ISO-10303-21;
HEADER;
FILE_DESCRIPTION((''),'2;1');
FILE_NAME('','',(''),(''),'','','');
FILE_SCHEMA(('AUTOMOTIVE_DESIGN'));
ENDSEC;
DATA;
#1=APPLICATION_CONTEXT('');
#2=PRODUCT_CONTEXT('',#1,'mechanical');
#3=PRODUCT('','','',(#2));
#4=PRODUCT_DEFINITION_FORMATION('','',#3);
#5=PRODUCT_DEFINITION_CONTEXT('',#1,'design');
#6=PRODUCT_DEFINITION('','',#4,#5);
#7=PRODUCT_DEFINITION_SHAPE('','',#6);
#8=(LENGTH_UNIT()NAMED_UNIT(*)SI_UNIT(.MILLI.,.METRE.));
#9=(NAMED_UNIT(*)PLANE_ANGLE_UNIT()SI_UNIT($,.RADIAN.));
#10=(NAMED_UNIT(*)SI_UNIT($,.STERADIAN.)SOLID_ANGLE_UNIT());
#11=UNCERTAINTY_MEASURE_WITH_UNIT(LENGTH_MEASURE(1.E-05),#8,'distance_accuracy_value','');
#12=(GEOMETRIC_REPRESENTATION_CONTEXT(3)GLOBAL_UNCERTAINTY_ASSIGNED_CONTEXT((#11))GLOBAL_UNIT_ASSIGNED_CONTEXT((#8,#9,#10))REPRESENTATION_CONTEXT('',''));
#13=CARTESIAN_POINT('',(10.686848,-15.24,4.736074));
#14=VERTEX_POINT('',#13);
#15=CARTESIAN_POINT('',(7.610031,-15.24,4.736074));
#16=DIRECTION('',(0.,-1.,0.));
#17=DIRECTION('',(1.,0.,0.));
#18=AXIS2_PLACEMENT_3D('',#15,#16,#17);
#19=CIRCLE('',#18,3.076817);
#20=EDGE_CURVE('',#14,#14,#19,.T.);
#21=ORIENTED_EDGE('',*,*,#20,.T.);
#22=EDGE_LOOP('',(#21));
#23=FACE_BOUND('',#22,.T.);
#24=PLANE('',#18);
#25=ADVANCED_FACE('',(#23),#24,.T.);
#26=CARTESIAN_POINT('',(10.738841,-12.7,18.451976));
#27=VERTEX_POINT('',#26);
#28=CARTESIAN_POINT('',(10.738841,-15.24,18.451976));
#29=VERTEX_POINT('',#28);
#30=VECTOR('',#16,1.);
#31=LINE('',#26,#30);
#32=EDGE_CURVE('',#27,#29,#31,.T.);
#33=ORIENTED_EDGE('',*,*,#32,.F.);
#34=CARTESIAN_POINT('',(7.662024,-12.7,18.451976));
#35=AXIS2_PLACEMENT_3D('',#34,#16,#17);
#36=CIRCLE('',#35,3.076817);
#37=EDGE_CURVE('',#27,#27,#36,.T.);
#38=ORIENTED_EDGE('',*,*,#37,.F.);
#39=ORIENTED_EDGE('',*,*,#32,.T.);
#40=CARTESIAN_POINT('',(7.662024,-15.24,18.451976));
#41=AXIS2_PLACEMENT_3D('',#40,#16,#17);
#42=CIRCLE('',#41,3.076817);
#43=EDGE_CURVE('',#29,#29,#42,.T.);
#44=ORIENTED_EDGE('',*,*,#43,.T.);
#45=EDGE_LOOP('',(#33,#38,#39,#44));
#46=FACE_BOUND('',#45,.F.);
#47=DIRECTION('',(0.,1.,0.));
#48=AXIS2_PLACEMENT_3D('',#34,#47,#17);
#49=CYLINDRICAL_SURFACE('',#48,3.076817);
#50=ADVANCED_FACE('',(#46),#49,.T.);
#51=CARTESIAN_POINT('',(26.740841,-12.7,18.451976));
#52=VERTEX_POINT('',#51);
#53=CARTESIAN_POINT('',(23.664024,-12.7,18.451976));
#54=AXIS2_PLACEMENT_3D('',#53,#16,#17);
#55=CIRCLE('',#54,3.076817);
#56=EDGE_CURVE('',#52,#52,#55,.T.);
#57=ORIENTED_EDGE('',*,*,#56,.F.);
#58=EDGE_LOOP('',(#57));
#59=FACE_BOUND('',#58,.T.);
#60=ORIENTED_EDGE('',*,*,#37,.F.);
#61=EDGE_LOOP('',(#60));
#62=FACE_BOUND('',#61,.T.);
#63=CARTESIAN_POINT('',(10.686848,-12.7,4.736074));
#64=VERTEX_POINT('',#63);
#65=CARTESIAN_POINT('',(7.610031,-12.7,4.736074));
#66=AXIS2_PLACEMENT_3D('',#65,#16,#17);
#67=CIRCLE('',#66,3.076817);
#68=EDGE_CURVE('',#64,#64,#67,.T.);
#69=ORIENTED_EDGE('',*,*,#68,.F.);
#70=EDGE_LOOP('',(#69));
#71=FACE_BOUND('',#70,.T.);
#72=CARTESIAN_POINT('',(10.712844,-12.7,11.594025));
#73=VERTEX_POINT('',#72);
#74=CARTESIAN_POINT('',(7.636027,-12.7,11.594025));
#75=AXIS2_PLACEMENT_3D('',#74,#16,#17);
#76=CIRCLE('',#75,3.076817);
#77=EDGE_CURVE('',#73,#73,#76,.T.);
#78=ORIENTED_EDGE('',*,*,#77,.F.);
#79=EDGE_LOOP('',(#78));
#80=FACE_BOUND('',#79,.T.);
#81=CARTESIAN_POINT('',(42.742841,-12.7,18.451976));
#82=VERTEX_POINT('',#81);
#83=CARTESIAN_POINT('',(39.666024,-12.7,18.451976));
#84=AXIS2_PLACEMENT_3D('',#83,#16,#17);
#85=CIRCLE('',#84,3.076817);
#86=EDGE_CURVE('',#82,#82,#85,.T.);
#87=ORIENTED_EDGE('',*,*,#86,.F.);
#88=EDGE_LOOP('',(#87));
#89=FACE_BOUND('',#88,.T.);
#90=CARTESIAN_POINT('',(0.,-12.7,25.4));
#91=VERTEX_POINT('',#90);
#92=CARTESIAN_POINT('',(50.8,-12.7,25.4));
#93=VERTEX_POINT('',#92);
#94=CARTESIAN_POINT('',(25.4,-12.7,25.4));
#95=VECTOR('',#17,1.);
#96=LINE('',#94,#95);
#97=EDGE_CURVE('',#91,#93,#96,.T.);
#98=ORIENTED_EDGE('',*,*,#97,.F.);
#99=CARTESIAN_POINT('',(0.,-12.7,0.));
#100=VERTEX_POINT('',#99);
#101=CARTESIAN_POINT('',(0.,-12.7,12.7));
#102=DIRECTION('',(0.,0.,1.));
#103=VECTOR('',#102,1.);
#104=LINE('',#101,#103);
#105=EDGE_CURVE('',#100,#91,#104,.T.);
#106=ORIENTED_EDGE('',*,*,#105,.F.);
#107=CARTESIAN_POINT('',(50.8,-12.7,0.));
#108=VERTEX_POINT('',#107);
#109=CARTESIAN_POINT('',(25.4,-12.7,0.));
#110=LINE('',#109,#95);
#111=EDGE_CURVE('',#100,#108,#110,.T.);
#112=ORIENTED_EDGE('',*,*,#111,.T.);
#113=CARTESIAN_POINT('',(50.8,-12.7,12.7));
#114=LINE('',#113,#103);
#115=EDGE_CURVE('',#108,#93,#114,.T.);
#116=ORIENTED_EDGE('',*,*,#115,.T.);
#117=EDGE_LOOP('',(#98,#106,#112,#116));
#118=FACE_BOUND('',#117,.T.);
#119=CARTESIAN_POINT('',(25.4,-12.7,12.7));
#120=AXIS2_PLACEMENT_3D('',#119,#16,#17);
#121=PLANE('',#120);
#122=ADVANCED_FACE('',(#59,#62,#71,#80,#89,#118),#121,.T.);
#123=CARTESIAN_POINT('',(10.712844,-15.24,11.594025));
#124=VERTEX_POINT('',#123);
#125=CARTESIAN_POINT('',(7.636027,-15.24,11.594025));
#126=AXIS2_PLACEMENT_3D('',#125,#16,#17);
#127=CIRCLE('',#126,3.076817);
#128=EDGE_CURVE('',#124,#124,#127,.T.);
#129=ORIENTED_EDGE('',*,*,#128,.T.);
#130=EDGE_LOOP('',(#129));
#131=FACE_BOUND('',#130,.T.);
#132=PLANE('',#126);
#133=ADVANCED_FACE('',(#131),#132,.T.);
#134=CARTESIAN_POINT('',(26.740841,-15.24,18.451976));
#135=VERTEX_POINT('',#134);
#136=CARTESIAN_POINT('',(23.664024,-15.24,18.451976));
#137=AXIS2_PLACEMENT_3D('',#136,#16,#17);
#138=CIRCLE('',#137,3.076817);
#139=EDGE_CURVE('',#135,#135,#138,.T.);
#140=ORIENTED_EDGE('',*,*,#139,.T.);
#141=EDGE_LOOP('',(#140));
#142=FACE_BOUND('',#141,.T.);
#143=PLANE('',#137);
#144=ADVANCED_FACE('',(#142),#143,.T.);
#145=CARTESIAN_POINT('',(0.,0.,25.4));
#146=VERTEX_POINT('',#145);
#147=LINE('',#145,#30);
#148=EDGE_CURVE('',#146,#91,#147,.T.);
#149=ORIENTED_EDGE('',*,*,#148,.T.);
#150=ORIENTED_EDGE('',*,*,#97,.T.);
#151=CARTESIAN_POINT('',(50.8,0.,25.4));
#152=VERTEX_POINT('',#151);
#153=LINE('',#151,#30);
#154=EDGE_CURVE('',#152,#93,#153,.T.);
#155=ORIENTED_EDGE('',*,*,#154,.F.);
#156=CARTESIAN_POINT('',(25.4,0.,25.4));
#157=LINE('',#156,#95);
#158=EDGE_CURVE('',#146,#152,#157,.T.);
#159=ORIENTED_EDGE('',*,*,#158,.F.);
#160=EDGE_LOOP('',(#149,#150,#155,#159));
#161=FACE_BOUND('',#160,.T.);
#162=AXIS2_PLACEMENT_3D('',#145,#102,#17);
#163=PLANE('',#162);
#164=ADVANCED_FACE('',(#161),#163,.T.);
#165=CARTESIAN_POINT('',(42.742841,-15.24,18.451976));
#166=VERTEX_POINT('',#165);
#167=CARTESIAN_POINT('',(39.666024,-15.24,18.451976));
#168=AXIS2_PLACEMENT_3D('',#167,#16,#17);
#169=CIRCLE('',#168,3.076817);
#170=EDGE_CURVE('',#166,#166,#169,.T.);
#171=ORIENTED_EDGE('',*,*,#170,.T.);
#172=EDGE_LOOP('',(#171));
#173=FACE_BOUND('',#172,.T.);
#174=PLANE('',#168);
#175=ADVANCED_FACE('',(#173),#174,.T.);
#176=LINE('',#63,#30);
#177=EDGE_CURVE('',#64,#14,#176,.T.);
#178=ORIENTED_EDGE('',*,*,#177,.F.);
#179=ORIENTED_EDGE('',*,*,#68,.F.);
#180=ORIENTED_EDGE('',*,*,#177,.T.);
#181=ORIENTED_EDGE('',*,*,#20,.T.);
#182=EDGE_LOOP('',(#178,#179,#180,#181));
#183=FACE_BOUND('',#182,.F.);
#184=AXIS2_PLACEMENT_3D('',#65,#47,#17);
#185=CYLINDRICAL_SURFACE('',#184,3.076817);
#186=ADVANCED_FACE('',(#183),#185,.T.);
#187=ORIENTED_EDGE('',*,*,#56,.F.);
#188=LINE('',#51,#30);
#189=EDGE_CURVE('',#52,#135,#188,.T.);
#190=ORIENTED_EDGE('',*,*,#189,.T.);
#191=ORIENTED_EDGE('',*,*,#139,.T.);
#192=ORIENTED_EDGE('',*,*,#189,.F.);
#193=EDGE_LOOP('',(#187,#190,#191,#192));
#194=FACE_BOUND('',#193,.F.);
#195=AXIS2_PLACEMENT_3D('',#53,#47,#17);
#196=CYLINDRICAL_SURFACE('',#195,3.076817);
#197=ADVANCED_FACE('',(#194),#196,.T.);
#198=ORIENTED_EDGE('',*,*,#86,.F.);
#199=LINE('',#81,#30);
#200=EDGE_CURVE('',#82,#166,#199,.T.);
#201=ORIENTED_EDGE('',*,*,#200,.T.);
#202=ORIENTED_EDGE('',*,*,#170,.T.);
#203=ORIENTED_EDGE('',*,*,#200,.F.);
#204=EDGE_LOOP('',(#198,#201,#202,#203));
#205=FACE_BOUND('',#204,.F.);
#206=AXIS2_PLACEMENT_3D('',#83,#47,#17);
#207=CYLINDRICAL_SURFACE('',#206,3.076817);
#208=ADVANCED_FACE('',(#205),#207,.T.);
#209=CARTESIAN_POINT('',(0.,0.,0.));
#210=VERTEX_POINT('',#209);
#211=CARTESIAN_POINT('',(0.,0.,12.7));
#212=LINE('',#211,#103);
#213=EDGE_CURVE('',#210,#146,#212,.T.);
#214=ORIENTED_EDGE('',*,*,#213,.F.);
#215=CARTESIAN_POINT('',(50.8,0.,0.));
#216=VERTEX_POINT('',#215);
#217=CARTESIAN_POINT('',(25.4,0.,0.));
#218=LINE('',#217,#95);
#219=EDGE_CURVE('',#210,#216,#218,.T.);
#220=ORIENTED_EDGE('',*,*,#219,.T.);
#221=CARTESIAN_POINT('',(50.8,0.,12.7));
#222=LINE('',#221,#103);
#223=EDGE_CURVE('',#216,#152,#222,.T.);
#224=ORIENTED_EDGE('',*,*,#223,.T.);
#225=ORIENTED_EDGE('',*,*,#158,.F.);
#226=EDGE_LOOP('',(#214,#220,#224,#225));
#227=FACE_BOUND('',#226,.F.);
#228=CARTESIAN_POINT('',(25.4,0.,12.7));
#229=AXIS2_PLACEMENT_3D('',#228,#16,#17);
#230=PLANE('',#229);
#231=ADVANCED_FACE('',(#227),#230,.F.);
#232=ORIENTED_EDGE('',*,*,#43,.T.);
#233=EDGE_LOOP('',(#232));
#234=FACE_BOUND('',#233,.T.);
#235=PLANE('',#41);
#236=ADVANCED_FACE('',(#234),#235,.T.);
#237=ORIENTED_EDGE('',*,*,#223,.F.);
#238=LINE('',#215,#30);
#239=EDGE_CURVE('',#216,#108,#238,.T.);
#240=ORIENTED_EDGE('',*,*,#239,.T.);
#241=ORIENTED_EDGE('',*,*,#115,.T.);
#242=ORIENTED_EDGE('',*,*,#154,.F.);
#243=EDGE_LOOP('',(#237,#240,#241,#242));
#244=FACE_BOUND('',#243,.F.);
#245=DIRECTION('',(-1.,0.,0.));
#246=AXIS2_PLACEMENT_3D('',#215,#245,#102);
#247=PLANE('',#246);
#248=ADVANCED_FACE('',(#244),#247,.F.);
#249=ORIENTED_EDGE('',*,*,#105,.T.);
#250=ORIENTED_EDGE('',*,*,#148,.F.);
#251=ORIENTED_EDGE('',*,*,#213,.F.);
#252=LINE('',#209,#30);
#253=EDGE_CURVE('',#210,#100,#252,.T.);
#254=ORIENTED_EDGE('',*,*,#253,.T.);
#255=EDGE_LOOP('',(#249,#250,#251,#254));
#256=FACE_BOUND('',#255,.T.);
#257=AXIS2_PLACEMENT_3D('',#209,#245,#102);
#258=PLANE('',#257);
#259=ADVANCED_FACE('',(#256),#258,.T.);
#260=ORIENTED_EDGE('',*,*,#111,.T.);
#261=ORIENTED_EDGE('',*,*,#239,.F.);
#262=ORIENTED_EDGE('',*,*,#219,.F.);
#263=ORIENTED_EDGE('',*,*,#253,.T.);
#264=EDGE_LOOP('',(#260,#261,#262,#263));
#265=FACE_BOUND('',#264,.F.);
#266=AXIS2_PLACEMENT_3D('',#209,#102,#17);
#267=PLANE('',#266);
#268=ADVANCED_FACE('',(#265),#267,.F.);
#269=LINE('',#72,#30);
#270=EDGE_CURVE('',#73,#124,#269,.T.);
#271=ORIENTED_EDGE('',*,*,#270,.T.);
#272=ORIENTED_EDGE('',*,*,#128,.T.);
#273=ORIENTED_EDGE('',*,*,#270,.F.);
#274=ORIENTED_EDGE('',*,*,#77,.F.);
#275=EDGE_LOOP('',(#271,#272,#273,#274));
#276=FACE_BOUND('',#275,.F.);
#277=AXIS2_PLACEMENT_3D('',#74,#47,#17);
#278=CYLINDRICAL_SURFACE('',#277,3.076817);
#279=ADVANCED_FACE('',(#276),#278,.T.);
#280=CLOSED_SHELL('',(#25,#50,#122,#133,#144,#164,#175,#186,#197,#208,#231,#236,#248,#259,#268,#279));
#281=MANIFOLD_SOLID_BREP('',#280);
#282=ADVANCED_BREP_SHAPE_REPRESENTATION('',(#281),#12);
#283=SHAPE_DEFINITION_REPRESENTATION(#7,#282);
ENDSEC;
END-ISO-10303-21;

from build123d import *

# Parameters (mm, degrees)
F0_W     = 50.8
F0_H     = 25.4
F1_DEPTH = 12.7
F2_R     = 3.076817
F3_DEPTH = 2.54


with BuildPart() as f1:
    # F0 (on Front) → F1 (new body)
    with BuildSketch(Plane.XZ):
        with Locations((25.4, 12.7)):
            Rectangle(F0_W, F0_H)
    extrude(amount=F1_DEPTH)

    # F2 (on face) → F3 (join)
    with BuildSketch(Plane.XZ.offset(12.7)):
        with Locations((7.662024, 18.451976)):
            Circle(F2_R)
        with Locations((23.664024, 18.451976)):
            Circle(F2_R)
        with Locations((39.666024, 18.451976)):
            Circle(F2_R)
        with Locations((7.636027, 11.594025)):
            Circle(F2_R)
        with Locations((7.610031, 4.736074)):
            Circle(F2_R)
    extrude(amount=F3_DEPTH)


solid = f1.part
